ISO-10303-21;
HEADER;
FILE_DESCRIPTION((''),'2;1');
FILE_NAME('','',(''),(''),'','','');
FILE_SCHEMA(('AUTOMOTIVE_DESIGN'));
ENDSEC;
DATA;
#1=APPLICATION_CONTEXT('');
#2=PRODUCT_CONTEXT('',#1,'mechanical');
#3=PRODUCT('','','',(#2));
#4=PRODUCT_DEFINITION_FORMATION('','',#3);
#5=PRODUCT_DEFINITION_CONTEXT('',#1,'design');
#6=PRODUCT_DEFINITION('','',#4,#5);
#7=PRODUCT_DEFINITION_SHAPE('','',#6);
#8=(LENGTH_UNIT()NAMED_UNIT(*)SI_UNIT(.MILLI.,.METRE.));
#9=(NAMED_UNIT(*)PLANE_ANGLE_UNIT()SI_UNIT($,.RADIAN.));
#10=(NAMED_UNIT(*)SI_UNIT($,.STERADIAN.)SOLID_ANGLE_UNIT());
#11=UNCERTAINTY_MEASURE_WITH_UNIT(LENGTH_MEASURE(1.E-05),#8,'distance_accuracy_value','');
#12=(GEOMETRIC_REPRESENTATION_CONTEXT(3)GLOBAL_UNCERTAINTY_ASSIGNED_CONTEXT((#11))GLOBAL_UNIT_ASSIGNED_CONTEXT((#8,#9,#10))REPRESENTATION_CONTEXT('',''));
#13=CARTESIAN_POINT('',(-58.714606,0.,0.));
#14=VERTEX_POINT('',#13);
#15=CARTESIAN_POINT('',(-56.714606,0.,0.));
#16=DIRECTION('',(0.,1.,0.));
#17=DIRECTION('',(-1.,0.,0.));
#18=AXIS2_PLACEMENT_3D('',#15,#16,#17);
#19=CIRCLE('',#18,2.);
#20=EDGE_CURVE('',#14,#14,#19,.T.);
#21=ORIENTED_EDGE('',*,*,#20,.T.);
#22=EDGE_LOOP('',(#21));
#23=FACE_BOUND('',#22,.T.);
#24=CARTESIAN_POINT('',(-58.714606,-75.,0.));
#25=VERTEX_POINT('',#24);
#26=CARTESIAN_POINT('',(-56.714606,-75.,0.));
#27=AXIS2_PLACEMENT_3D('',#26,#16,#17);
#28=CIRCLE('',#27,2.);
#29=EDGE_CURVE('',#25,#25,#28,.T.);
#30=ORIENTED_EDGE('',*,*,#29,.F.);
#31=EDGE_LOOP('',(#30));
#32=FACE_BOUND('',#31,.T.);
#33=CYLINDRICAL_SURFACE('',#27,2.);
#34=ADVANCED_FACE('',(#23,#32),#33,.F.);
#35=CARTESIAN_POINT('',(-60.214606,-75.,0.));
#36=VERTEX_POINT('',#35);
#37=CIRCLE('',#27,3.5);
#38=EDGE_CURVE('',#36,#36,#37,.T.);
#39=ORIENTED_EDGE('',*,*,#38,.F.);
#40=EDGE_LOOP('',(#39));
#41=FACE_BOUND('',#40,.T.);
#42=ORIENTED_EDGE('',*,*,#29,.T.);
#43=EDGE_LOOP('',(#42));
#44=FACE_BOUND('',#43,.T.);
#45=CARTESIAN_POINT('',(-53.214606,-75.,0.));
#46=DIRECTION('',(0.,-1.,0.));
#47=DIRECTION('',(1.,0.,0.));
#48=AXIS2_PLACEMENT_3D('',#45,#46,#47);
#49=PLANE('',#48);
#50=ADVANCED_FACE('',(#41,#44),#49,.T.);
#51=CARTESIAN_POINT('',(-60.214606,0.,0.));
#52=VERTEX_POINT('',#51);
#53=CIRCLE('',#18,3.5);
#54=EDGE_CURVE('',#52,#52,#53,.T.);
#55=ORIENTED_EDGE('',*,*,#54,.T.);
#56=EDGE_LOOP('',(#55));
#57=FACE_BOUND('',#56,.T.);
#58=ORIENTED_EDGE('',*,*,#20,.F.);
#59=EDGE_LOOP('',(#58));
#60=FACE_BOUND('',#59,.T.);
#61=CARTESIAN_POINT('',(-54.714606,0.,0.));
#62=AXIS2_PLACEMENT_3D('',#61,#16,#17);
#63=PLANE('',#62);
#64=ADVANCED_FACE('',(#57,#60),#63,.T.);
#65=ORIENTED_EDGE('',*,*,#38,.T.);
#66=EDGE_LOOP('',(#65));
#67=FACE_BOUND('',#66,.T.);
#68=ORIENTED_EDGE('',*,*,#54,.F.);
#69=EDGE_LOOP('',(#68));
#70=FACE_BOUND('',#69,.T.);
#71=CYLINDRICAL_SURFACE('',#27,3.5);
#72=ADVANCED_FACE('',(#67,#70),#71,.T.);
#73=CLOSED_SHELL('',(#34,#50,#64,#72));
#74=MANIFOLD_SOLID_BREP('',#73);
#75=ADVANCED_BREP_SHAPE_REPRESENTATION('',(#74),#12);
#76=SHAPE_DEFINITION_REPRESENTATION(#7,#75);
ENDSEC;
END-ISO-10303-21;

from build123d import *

# Parameters (mm, degrees)
ESBO_O1_W = 1.5
ESBO_O1_H = 75


with BuildPart() as part:
    # Esboço1 → Revolução1 (revolve)
    with BuildSketch(Plane(origin=(0, 0, 0), x_dir=(-1, 0, 0), z_dir=(0, 0, -1))):
        with Locations((53.96460554, -37.5)):
            Rectangle(ESBO_O1_W, ESBO_O1_H)
    revolve(axis=Axis((-56.71460554, -75, 0), (0, 1, 0)))


solid = part.part
